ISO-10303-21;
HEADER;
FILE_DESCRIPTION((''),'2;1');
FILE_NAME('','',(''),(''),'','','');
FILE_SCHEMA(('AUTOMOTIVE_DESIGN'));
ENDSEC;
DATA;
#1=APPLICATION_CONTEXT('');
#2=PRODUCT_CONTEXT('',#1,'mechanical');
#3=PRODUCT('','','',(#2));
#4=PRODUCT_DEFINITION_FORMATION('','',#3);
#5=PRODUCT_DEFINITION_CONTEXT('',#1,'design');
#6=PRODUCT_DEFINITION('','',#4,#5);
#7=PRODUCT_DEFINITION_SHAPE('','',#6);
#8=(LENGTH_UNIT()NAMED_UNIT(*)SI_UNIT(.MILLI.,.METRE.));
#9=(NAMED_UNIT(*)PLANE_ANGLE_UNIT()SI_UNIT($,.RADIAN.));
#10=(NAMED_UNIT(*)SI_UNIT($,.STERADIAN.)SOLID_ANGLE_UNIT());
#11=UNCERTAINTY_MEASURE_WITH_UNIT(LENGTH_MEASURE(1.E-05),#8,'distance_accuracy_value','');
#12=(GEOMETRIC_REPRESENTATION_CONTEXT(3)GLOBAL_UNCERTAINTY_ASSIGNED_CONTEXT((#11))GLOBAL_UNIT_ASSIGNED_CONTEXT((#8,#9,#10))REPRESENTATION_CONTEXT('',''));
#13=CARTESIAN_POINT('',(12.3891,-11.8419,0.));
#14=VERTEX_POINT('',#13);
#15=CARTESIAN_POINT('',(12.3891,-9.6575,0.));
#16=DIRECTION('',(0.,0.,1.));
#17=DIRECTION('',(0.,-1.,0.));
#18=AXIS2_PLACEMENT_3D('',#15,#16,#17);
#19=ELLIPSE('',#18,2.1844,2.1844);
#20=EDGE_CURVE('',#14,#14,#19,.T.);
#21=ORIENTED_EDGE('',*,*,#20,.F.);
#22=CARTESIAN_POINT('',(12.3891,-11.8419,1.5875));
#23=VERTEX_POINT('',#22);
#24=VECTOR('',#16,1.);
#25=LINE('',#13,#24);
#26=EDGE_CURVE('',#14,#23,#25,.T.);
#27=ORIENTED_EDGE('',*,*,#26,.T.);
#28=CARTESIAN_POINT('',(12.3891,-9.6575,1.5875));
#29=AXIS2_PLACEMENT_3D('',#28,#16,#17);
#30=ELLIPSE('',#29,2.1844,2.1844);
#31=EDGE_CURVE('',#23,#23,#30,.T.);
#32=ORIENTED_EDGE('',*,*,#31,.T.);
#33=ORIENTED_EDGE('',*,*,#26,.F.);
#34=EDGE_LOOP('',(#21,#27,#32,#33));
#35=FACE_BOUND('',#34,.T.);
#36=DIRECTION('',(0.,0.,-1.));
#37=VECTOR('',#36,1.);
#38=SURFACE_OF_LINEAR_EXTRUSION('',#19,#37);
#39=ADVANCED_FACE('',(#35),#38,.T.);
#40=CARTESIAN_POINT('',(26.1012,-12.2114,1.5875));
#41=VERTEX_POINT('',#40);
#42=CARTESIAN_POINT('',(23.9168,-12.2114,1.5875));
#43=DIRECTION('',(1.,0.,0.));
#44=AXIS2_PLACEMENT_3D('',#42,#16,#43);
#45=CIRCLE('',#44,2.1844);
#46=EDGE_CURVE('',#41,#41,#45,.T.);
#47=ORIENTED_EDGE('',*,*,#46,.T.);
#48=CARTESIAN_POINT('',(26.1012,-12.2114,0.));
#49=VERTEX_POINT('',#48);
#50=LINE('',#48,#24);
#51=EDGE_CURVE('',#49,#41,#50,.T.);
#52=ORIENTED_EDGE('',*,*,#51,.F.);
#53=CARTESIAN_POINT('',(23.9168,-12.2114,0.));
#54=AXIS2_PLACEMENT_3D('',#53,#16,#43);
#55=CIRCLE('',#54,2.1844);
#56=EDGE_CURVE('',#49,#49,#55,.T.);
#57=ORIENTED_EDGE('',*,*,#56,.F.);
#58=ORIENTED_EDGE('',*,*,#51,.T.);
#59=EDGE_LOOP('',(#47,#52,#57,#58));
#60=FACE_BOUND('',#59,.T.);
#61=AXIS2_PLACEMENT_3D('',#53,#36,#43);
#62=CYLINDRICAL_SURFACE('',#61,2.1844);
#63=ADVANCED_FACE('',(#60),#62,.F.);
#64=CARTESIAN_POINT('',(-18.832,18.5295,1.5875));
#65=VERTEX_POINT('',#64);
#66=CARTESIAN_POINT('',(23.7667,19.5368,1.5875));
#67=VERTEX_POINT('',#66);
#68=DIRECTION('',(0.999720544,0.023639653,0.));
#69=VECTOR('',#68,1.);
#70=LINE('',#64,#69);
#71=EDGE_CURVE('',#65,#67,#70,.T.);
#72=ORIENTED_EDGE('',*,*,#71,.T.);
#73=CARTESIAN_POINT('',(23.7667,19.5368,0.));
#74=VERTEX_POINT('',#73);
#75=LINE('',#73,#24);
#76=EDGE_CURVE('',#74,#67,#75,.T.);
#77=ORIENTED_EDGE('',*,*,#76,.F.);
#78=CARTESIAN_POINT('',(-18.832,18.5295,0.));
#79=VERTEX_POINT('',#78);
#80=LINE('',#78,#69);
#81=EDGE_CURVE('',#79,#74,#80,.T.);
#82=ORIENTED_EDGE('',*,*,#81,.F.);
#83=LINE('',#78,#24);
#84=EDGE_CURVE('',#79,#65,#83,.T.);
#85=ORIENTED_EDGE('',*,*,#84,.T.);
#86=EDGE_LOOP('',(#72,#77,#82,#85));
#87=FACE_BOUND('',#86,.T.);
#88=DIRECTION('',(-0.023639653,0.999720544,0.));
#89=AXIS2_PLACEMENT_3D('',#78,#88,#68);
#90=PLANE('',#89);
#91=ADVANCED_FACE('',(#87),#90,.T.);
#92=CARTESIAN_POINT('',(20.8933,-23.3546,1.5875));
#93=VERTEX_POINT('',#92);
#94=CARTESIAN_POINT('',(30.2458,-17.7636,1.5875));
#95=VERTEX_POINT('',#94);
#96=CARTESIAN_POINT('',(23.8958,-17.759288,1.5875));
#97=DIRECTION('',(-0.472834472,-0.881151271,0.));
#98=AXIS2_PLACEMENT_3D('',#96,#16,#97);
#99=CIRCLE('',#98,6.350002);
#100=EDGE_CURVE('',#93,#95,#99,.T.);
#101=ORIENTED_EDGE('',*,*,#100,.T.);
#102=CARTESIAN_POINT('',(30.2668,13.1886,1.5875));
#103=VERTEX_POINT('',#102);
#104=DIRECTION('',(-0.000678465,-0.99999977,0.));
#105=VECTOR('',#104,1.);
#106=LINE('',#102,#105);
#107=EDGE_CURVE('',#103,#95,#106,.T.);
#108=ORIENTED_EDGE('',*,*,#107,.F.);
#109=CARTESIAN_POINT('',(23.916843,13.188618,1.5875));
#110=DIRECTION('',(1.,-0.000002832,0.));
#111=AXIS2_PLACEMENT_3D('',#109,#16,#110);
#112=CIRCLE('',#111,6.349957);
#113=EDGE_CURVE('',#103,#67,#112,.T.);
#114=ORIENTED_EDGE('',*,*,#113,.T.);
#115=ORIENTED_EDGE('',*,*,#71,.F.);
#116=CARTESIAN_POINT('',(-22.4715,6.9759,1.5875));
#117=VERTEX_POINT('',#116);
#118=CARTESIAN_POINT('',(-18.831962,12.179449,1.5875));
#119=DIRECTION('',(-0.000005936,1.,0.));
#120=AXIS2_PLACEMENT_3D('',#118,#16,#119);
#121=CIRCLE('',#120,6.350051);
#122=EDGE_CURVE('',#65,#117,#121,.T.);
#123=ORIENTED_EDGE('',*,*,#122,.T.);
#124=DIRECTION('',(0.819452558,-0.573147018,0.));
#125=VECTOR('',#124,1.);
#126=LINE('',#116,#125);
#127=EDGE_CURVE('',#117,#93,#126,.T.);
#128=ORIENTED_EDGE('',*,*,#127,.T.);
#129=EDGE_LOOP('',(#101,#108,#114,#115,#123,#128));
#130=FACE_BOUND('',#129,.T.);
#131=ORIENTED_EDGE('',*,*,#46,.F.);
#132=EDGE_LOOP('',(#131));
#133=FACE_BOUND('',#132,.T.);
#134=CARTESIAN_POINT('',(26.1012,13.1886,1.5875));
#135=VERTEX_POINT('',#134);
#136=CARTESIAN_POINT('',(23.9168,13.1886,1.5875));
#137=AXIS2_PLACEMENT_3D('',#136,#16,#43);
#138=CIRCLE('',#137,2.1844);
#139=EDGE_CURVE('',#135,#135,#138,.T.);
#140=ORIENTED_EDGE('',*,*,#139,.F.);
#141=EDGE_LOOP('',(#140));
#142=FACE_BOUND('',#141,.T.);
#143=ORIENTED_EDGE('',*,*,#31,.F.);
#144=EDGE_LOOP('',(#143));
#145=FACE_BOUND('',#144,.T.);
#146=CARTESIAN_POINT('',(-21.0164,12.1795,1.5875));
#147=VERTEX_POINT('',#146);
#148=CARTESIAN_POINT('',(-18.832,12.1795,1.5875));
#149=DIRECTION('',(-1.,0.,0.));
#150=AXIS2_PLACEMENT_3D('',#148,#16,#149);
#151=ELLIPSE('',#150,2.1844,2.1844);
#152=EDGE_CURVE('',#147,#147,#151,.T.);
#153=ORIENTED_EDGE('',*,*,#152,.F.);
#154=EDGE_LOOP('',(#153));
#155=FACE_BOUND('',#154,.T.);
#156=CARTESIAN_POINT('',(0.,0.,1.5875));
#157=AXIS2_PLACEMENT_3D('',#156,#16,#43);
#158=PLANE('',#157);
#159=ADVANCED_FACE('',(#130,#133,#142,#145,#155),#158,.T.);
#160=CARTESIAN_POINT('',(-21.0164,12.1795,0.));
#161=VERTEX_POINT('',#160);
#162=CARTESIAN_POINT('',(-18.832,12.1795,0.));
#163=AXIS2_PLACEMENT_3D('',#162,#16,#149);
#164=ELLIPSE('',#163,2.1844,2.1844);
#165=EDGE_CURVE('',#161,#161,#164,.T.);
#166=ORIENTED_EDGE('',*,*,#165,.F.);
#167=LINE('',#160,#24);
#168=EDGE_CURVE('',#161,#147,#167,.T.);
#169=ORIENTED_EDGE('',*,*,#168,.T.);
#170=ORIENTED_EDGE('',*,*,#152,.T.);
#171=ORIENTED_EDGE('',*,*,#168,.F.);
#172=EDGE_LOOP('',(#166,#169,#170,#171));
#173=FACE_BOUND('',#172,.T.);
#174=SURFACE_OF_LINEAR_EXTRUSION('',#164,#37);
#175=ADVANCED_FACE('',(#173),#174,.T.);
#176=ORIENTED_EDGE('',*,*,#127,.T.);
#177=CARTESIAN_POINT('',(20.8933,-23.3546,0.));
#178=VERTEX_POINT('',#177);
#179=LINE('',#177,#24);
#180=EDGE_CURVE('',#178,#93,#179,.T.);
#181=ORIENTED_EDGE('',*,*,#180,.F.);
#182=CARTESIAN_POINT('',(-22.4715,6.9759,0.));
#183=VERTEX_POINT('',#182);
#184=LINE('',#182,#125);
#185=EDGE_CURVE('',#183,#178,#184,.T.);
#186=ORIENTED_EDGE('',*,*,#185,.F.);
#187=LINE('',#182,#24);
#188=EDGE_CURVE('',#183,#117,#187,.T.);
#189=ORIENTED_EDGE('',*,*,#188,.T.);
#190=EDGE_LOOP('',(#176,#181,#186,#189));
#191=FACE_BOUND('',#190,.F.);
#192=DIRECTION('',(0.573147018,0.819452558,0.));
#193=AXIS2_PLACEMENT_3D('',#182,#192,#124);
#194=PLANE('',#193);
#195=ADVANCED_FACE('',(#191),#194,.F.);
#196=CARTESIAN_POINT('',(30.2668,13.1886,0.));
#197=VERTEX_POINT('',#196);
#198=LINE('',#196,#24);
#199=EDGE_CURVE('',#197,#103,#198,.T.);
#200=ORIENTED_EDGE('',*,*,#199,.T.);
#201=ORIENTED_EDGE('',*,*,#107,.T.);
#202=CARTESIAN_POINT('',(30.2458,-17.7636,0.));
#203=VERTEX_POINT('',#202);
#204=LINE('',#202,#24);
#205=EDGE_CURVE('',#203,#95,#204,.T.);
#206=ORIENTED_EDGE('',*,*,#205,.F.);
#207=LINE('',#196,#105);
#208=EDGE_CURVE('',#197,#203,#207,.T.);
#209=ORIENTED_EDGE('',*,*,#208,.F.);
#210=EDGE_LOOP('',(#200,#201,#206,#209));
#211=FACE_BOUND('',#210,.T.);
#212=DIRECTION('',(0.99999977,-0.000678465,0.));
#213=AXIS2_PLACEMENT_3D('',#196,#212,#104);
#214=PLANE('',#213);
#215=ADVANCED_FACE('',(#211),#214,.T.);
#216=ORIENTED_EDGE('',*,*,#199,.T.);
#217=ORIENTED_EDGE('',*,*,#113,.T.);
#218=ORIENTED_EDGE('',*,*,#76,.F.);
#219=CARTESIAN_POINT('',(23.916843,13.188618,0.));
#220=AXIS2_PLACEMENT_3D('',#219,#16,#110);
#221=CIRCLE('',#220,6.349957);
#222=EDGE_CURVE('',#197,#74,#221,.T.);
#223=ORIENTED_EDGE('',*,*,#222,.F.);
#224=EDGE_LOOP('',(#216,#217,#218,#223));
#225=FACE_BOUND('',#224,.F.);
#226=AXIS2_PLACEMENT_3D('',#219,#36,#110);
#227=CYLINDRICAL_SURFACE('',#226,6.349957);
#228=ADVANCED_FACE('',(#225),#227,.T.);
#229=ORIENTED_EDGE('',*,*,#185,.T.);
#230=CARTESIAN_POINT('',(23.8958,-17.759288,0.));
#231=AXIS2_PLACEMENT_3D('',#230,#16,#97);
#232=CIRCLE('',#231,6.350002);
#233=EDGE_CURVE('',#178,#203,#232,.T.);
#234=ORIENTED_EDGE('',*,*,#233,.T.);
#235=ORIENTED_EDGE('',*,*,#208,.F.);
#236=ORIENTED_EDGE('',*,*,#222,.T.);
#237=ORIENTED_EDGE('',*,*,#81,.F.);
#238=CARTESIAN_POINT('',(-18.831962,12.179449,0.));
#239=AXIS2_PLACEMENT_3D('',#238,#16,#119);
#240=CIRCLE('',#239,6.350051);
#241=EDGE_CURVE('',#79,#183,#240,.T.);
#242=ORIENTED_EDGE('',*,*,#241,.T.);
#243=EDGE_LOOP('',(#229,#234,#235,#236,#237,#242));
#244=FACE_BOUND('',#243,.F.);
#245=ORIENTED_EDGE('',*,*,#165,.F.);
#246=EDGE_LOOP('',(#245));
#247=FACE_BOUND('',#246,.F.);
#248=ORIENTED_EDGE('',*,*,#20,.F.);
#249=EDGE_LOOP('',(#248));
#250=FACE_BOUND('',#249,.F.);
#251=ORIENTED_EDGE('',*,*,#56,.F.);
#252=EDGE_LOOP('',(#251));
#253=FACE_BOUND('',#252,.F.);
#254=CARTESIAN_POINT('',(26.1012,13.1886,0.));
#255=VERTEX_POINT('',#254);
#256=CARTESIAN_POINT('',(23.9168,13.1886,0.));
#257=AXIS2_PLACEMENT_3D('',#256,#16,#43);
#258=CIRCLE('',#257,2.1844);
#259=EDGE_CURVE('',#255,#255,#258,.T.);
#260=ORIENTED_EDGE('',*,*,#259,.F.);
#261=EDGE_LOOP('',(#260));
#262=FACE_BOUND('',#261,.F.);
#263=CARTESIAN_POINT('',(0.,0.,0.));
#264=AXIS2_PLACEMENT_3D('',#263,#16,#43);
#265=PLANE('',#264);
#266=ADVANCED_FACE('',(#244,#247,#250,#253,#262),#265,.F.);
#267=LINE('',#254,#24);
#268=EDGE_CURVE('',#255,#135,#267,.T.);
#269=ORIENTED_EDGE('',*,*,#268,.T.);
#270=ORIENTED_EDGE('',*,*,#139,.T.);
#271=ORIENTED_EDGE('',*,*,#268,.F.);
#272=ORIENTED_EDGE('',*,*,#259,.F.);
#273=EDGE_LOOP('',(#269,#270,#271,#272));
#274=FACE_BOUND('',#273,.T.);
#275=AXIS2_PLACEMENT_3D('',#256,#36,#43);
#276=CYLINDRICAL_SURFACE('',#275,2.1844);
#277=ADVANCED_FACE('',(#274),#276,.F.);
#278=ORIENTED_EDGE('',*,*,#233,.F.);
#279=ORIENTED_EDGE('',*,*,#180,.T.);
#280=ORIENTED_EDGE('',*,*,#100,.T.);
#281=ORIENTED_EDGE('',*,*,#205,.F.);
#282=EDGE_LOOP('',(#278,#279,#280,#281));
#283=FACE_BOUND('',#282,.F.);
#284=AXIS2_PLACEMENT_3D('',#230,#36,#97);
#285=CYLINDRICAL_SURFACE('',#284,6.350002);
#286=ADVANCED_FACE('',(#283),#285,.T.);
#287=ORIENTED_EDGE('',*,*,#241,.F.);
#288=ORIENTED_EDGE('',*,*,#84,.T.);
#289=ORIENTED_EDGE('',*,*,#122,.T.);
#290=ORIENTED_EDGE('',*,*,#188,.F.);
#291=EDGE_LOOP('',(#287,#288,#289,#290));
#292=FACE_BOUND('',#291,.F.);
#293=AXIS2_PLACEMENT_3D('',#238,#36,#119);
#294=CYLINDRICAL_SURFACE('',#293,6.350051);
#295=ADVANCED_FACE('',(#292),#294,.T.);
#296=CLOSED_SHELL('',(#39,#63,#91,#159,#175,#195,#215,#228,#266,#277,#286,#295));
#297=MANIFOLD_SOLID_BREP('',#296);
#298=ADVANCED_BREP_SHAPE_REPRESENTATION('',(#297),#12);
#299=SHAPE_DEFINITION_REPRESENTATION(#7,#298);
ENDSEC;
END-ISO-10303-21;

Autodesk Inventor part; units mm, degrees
ref_plane "YZ Plane" through (0, 0, 0) normal (1, 0, 0) x (0, 1, 0)
ref_plane "XZ Plane" through (0, 0, 0) normal (0, 1, 0) x (-1, 0, 0)
ref_plane "XY Plane" through (0, 0, 0) normal (0, 0, 1) x (1, 0, 0)
sketch "Sketch1" plane through (0, 0, 0) normal (0, 0, 1) x (1, 0, 0)
  circle A0 centre (23.9168, 13.1886) radius 2.1844
  ellipse E0 centre (12.3891, -9.6575) end of major axis (10.2047, -9.6575) minor radius 2.1844
  ellipse E1 centre (-18.832, 12.1795) end of major axis (-21.0164, 12.1795) minor radius 2.1844
  line L0 (-18.832, 18.5295) -> (23.7667, 19.5368)
  arc A1 (-18.832, 18.5295) -> (-22.4715, 6.9759) centre (-18.832, 12.1795) ccw
  arc A2 (30.2668, 13.1886) -> (23.7667, 19.5368) centre (23.9168, 13.1886) ccw
  line L1 (-22.4715, 6.9759) -> (20.8933, -23.3546)
  line L2 (30.2668, 13.1886) -> (30.2458, -17.7636)
  arc A3 (20.8933, -23.3546) -> (30.2458, -17.7636) centre (23.8958, -17.7593) ccw
  circle A4 centre (23.9168, -12.2114) radius 2.1844
  point P0 (0, 0)
  dimension "d6" = 4.3688
extrude "Extrusion2" add sketch "Sketch1" along normal blind 1.5875
